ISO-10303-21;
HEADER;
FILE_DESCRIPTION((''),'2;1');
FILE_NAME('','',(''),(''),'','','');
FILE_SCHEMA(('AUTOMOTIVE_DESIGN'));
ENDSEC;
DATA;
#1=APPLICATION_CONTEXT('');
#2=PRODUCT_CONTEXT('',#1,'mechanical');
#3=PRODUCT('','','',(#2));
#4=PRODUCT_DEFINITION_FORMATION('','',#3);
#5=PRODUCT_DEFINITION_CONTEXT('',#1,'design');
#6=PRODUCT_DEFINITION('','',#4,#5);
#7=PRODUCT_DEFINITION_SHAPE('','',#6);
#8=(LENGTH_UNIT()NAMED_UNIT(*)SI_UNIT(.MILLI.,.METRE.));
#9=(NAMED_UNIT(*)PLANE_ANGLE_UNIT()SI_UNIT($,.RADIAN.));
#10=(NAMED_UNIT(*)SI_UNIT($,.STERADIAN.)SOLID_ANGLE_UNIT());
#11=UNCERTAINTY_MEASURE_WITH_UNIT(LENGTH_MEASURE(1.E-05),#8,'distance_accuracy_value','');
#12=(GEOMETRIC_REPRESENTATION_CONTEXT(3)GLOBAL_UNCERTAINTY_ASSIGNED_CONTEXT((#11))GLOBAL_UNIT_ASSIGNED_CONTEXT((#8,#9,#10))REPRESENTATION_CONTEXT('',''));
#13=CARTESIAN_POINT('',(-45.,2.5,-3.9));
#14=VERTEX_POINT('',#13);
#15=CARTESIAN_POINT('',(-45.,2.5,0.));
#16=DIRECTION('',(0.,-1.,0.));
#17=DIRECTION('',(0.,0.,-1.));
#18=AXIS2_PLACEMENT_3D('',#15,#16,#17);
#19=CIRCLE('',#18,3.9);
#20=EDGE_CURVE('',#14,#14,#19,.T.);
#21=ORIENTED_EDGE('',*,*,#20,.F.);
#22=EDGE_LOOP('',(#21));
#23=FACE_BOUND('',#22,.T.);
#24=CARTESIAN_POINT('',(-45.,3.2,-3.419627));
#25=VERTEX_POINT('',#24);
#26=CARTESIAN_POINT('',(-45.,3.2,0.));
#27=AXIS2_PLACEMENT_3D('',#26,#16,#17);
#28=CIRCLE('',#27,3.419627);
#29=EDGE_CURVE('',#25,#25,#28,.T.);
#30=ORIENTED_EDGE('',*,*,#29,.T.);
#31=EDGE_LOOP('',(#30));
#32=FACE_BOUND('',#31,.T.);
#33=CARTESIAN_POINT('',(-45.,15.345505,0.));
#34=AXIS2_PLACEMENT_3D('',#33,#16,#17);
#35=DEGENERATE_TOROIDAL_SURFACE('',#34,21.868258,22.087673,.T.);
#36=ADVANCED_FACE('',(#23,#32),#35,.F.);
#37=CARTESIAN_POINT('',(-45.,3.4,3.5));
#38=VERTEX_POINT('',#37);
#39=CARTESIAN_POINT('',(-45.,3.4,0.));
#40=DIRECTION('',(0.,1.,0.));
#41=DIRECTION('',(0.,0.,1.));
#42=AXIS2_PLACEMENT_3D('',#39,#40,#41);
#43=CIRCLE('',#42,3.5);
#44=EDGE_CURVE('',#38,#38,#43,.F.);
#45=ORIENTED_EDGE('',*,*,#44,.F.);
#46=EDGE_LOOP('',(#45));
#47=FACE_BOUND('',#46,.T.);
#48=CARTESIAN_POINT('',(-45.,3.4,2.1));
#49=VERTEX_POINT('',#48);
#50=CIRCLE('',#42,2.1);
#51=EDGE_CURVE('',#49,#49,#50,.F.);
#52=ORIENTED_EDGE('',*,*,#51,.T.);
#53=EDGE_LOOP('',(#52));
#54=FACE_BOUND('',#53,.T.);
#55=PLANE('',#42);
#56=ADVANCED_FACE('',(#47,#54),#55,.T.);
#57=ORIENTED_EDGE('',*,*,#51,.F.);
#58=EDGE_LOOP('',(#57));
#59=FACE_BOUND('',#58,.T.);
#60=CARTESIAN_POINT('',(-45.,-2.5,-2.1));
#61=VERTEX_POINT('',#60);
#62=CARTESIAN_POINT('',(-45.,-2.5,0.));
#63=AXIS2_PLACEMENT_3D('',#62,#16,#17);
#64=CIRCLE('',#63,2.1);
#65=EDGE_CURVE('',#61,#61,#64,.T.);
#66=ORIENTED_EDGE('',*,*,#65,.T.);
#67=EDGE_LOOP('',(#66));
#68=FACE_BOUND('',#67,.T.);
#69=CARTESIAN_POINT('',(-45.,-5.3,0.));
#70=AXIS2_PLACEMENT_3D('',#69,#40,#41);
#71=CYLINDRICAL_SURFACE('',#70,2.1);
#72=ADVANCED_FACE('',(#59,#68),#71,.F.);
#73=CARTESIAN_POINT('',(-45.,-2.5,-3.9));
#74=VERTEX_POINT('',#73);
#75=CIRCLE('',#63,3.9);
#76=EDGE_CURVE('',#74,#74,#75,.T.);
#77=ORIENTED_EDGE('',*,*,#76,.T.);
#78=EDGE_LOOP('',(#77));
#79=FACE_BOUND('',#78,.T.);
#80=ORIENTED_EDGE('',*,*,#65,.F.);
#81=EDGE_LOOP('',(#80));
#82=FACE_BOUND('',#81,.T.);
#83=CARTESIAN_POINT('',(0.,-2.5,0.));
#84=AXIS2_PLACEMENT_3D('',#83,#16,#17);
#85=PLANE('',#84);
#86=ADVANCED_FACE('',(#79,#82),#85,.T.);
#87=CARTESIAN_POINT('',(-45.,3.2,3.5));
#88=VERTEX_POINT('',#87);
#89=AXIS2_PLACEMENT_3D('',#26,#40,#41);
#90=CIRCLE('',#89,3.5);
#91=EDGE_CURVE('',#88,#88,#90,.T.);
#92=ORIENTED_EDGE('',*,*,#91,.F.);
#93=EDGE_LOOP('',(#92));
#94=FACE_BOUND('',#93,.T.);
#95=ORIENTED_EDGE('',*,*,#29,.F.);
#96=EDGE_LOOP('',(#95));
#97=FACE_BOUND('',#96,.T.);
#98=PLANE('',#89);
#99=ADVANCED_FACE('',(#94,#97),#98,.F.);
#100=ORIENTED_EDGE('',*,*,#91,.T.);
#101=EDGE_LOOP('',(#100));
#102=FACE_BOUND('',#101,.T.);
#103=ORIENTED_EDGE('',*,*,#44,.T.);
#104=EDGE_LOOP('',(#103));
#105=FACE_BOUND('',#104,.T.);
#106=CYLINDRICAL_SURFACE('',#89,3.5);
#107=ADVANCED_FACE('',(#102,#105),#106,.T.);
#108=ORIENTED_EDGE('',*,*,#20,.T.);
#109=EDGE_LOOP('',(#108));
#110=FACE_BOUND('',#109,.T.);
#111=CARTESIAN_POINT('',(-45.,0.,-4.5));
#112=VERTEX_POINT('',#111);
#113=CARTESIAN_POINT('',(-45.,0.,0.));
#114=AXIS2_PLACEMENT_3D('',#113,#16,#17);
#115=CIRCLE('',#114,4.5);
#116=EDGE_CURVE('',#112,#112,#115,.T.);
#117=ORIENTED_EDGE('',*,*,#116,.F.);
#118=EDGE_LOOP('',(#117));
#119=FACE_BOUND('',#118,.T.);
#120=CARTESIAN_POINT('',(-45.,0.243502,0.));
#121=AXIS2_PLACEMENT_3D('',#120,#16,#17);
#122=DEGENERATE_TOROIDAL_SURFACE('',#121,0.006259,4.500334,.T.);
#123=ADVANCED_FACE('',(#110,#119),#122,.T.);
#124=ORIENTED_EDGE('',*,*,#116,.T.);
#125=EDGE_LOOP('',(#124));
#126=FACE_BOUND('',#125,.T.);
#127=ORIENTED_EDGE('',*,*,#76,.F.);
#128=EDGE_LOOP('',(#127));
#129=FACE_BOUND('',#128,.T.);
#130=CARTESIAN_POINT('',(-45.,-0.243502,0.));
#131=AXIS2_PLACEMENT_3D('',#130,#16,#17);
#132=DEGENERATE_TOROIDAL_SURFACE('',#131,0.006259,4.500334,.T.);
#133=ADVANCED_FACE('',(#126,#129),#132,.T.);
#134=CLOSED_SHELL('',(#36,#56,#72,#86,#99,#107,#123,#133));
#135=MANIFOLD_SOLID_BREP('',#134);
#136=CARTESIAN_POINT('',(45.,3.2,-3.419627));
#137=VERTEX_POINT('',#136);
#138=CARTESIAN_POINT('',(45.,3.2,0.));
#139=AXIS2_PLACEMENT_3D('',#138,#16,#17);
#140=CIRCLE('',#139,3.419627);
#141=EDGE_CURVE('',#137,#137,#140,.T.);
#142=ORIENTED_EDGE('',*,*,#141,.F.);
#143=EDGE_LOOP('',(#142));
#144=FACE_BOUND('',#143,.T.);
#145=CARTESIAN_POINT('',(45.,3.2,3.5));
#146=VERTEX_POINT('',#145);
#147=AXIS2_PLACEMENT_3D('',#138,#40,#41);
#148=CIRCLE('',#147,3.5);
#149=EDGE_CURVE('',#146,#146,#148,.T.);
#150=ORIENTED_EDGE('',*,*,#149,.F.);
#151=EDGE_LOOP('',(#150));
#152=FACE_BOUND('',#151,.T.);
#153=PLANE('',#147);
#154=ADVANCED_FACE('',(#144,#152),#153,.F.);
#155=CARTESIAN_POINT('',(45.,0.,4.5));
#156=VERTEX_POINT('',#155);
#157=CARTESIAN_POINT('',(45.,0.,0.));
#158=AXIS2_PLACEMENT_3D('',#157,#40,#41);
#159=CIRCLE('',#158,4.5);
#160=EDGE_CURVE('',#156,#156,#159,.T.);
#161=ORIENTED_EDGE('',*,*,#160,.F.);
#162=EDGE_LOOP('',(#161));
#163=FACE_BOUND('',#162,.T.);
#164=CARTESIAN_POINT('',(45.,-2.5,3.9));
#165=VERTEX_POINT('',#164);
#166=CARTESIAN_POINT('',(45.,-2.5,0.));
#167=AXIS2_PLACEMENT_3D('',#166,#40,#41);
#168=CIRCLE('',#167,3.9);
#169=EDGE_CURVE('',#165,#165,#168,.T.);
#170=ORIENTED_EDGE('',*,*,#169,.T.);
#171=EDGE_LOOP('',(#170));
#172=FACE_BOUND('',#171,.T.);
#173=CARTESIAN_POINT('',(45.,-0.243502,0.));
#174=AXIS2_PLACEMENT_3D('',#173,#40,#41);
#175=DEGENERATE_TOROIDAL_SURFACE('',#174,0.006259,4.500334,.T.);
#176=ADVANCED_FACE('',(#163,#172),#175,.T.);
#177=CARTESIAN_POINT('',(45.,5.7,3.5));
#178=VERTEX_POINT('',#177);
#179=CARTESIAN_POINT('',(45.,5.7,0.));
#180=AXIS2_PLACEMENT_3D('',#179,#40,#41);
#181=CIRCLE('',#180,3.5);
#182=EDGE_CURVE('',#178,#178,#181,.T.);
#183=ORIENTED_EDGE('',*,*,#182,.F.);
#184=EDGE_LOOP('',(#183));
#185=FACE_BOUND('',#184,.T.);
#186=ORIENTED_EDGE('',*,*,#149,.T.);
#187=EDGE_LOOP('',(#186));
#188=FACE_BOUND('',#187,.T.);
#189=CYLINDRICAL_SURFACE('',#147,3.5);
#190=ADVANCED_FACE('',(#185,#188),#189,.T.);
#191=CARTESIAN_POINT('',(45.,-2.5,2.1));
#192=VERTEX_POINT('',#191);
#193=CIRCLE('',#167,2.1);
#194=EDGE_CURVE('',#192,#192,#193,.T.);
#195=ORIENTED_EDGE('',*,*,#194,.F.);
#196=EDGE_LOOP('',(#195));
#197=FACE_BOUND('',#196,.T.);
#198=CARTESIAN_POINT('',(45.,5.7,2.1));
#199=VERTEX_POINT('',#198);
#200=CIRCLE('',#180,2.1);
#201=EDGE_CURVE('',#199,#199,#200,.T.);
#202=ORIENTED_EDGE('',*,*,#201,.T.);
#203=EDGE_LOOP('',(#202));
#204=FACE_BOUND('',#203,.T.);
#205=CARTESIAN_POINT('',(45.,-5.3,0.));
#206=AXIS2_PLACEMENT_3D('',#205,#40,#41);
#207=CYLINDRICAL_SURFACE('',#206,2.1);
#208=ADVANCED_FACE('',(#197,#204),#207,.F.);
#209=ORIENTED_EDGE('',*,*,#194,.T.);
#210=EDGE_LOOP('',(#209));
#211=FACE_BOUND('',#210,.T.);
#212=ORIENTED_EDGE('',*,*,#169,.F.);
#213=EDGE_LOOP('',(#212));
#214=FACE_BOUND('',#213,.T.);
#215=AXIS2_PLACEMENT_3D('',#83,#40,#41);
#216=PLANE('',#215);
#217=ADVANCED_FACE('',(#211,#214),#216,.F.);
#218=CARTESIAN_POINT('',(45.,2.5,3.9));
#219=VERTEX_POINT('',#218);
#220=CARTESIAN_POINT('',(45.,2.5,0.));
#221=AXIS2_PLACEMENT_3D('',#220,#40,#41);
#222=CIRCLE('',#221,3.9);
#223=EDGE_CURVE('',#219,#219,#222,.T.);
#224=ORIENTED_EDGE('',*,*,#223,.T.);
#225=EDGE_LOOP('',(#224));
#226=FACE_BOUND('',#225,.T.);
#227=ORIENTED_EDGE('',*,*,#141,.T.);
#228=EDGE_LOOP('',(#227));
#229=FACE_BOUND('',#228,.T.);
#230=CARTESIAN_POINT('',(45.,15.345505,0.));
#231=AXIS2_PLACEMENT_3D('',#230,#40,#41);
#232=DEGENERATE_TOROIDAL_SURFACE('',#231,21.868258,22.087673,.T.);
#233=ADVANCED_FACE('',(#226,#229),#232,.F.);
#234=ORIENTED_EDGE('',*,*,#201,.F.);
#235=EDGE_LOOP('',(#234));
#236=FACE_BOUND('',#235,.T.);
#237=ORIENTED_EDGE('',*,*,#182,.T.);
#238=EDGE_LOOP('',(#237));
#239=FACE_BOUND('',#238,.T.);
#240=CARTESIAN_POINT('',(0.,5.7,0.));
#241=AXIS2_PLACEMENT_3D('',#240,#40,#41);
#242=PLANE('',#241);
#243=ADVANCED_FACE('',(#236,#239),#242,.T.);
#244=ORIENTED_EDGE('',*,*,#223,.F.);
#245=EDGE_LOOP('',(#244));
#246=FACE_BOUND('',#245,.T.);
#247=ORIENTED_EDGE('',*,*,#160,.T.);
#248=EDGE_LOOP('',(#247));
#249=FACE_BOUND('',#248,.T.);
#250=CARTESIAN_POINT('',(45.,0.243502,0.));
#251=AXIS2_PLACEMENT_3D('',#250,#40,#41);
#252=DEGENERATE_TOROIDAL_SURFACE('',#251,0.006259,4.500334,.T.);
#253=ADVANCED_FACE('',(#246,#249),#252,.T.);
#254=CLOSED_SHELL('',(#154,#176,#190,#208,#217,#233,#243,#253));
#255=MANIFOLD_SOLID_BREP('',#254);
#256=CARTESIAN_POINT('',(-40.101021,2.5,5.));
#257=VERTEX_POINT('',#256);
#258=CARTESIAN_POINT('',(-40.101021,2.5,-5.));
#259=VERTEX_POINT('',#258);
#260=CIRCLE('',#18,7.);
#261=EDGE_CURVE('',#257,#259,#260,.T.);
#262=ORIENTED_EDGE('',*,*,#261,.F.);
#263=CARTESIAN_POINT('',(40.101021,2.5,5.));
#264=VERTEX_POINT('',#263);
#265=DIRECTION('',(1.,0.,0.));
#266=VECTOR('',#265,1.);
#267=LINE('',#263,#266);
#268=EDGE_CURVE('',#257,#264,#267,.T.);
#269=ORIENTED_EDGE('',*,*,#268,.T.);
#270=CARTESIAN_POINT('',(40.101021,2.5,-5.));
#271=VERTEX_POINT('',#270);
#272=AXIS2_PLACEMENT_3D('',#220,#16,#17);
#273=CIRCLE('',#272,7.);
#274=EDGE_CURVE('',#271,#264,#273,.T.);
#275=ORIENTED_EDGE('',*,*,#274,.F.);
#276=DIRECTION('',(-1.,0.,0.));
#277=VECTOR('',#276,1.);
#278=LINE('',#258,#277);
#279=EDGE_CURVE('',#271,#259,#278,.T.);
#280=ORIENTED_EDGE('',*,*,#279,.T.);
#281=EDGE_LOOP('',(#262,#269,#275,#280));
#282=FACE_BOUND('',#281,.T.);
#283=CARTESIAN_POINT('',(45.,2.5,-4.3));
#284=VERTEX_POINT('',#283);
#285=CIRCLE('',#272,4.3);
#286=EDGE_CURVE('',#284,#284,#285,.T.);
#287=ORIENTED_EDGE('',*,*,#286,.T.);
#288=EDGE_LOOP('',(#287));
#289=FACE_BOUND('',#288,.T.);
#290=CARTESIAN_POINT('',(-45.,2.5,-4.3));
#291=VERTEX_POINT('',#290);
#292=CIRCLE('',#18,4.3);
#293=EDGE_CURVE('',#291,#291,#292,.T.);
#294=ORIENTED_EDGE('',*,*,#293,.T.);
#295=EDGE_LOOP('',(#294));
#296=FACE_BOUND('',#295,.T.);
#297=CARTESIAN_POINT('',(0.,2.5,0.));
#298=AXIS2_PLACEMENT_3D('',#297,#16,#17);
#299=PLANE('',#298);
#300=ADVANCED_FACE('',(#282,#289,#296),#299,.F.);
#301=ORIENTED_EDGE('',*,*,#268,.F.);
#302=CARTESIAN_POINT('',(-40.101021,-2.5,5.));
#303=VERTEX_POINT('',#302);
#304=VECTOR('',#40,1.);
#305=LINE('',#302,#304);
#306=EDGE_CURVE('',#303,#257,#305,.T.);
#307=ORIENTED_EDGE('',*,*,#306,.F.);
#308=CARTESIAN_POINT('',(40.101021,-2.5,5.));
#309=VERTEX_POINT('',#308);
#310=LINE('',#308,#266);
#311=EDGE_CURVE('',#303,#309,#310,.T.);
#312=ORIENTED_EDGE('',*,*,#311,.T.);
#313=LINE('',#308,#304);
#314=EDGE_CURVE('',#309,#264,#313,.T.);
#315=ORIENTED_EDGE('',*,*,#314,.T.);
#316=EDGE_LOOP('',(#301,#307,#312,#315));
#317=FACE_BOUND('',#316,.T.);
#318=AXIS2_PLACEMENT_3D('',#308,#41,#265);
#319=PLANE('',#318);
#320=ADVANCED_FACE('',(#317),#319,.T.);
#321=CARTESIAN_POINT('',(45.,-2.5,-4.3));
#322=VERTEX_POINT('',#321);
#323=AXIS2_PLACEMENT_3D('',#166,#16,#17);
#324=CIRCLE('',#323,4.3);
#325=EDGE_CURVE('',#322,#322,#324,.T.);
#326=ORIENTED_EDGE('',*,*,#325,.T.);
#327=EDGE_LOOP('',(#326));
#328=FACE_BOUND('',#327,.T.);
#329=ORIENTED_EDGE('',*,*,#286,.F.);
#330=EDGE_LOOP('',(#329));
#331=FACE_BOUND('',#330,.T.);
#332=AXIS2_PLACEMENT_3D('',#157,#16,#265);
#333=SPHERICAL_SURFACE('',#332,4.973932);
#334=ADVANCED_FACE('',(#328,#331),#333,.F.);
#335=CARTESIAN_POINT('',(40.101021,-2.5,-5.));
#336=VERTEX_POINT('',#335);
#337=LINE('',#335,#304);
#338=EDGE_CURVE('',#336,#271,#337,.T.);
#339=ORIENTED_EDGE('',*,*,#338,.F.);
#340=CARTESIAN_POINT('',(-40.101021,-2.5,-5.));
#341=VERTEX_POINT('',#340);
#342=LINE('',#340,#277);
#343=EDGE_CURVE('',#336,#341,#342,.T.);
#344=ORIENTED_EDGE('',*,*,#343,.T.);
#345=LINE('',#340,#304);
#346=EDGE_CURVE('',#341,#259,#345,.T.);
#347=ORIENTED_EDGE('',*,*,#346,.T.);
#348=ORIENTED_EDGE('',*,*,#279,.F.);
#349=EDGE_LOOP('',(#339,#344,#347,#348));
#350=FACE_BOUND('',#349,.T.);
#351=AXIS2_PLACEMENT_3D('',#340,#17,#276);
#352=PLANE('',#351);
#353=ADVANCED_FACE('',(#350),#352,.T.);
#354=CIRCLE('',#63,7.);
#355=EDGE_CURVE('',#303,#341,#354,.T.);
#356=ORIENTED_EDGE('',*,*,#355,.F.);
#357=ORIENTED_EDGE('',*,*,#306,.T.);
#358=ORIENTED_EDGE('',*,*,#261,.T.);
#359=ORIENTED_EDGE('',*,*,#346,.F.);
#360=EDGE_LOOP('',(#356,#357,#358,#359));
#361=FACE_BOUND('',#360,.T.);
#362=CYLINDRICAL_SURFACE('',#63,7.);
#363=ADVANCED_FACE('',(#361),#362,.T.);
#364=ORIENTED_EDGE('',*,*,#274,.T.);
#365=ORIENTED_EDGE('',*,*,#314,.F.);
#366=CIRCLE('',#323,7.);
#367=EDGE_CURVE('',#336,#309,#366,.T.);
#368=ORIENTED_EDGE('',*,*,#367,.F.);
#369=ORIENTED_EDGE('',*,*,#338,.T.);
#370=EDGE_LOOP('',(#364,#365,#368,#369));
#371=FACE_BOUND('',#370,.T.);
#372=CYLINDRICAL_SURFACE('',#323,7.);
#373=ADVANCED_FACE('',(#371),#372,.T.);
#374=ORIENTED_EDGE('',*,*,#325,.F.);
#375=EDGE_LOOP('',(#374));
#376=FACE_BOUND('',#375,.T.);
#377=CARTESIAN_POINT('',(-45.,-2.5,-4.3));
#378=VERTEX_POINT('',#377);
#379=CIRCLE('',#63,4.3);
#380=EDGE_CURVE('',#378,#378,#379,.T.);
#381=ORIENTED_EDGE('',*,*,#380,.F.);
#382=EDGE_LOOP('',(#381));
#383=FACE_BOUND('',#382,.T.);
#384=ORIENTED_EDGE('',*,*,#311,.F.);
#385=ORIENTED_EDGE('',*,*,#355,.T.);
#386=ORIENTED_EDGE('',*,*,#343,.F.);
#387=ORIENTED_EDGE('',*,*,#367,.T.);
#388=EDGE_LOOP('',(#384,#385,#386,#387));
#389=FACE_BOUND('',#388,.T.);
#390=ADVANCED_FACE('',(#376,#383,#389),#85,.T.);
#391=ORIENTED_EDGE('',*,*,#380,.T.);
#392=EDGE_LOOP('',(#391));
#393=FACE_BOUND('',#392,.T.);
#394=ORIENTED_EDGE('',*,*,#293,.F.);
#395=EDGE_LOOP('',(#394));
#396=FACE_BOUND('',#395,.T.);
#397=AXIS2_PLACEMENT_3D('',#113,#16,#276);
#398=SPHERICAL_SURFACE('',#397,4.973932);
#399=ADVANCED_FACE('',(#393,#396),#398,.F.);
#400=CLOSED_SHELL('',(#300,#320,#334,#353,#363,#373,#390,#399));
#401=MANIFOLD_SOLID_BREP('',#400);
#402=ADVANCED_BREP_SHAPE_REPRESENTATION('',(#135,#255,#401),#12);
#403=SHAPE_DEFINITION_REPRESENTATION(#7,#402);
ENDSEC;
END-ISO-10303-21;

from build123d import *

# Parameters (mm, degrees)
BOSS_EXTRUDE1_DEPTH = 5
SKETCH7_R           = 2.1
CUT_EXTRUDE1_DEPTH  = 11
SKETCH8_R           = 3.5
SKETCH8_R_2         = 2.1
BOSS_EXTRUDE2_DEPTH = 2.5
SKETCH9_R           = 5.053778945
CUT_EXTRUDE2_DEPTH  = 2
SKETCH10_R          = 7.844630339
CUT_EXTRUDE3_DEPTH  = 0.3


with BuildPart() as part:
    # Sketch1 → Revolve1 (revolve)
    with BuildSketch(Plane.XY):
        with BuildLine():
            Line((-52, 2.5), (-52, -2.5))
            Line((-52, -2.5), (-49.3, -2.5))
            ThreePointArc((-49.3, -2.5), (-49.973932046, 0), (-49.3, 2.5))
            Line((-49.3, 2.5), (-52, 2.5))
        make_face()
    revolve(axis=Axis((-45, -2.5, 0), (0, 1, 0)))



with BuildPart() as body_2:
    # Sketch2 → Revolve2 (revolve)
    with BuildSketch(Plane.XY):
        with BuildLine():
            Line((52, 2.5), (52, -2.5))
            Line((52, -2.5), (49.3, -2.5))
            ThreePointArc((49.3, -2.5), (49.973932046, 0), (49.3, 2.5))
            Line((49.3, 2.5), (52, 2.5))
        make_face()
    revolve(axis=Axis((45, -2.5, 0), (0, 1, 0)))


with BuildPart() as part_1:
    add(part.part)

    add(body_2.part)  # Boss-Extrude1 merges body 2
    # Sketch4 → Boss-Extrude1 (add)
    with BuildSketch(Plane(origin=(0, 2.5, 0), x_dir=(1, 0, 0), z_dir=(0, 1, 0))):
        with BuildLine():
            Line((-40.101020514, 5), (-40.101020514, 3.464101615))
            ThreePointArc((-40.101020514, 3.464101615), (-39, 0), (-40.101020514, -3.464101615))
            Line((-40.101020514, -3.464101615), (-40.101020514, -5))
            Line((-40.101020514, -5), (40.101020514, -5))
            Line((40.101020514, -5), (40.101020514, -3.464101615))
            ThreePointArc((40.101020514, -3.464101615), (39, 0), (40.101020514, 3.464101615))
            Line((40.101020514, 3.464101615), (40.101020514, 5))
            Line((40.101020514, 5), (-40.101020514, 5))
        make_face()
    extrude(amount=-BOSS_EXTRUDE1_DEPTH)


with BuildPart() as body_2_2:
    # Sketch5 → Revolve3 (revolve)
    with BuildSketch(Plane.XY):
        with BuildLine():
            ThreePointArc((-48.9, 2.5), (-48.490203099, 3.093468733), (-48.1, 3.7))
            Line((-48.1, 3.7), (-48.1, 5.7))
            Line((-48.1, 5.7), (-45, 5.7))
            Line((-45, 5.7), (-45, 3.7))
            Line((-45, 3.7), (-45, -2.5))
            Line((-45, -2.5), (-48.9, -2.5))
            ThreePointArc((-48.9, -2.5), (-49.382326119, -1.293758269), (-49.5, 0))
            ThreePointArc((-49.5, 0), (-49.382326119, 1.293758269), (-48.9, 2.5))
        make_face()
    revolve(axis=Axis((-45, -2.5, 0), (0, 1, 0)))


with BuildPart() as body_3:
    # Sketch6 → Revolve4 (revolve)
    with BuildSketch(Plane.XY):
        with BuildLine():
            ThreePointArc((48.1, 3.7), (48.490203099, 3.093468733), (48.9, 2.5))
            ThreePointArc((48.9, 2.5), (49.382326119, 1.293758269), (49.5, 0))
            ThreePointArc((49.5, 0), (49.382326119, -1.293758269), (48.9, -2.5))
            Line((48.9, -2.5), (45, -2.5))
            Line((45, -2.5), (45, 5.7))
            Line((45, 5.7), (48.1, 5.7))
            Line((48.1, 5.7), (48.1, 3.7))
        make_face()
    revolve(axis=Axis((45, 5.7, 0), (0, -1, 0)))


with BuildPart() as cut_extrude1_tool:
    # Sketch7 → Cut-Extrude1 (new body)
    with BuildSketch(Plane(origin=(0, 5.7, 0), x_dir=(1, 0, 0), z_dir=(0, 1, 0))):
        with Locations((-45, 0)):
            Circle(SKETCH7_R)
        with Locations((45, 0)):
            Circle(SKETCH7_R)
    extrude(amount=-CUT_EXTRUDE1_DEPTH)


with BuildPart() as body_2_2_1:
    add(body_2_2.part)

    # Cut-Extrude1: cut by cut_extrude1_tool
    add(cut_extrude1_tool.part, mode=Mode.SUBTRACT)



with BuildPart() as body_3_1:
    add(body_3.part)

    # Cut-Extrude1: cut by cut_extrude1_tool
    add(cut_extrude1_tool.part, mode=Mode.SUBTRACT)


with BuildPart() as body_2_2_2:
    add(body_2_2_1.part)

    add(body_3_1.part)  # Boss-Extrude2 merges body 3
    # Sketch8 → Boss-Extrude2 (add)
    with BuildSketch(Plane(origin=(0, 5.7, 0), x_dir=(1, 0, 0), z_dir=(0, 1, 0))):
        with Locations((-45, 0)):
            Circle(SKETCH8_R)
        with Locations((-45, 0)):
            Circle(SKETCH8_R_2, mode=Mode.SUBTRACT)
        with Locations((45, 0)):
            Circle(SKETCH8_R)
        with Locations((45, 0)):
            Circle(SKETCH8_R_2, mode=Mode.SUBTRACT)
    extrude(amount=-BOSS_EXTRUDE2_DEPTH)

    # Sketch9 → Cut-Extrude2 (cut)
    with BuildSketch(Plane(origin=(0, 5.7, 0), x_dir=(1, 0, 0), z_dir=(0, 1, 0))):
        with Locations((-45, 0)):
            Circle(SKETCH9_R)
    extrude(amount=-CUT_EXTRUDE2_DEPTH, mode=Mode.SUBTRACT)

    # Sketch10 → Cut-Extrude3 (cut)
    with BuildSketch(Plane(origin=(0, 3.7, 0), x_dir=(1, 0, 0), z_dir=(0, 1, 0))):
        with Locations((-45, 0)):
            Circle(SKETCH10_R)
    extrude(amount=-CUT_EXTRUDE3_DEPTH, mode=Mode.SUBTRACT)


solid = Compound([part_1.part, body_2_2_2.part])
